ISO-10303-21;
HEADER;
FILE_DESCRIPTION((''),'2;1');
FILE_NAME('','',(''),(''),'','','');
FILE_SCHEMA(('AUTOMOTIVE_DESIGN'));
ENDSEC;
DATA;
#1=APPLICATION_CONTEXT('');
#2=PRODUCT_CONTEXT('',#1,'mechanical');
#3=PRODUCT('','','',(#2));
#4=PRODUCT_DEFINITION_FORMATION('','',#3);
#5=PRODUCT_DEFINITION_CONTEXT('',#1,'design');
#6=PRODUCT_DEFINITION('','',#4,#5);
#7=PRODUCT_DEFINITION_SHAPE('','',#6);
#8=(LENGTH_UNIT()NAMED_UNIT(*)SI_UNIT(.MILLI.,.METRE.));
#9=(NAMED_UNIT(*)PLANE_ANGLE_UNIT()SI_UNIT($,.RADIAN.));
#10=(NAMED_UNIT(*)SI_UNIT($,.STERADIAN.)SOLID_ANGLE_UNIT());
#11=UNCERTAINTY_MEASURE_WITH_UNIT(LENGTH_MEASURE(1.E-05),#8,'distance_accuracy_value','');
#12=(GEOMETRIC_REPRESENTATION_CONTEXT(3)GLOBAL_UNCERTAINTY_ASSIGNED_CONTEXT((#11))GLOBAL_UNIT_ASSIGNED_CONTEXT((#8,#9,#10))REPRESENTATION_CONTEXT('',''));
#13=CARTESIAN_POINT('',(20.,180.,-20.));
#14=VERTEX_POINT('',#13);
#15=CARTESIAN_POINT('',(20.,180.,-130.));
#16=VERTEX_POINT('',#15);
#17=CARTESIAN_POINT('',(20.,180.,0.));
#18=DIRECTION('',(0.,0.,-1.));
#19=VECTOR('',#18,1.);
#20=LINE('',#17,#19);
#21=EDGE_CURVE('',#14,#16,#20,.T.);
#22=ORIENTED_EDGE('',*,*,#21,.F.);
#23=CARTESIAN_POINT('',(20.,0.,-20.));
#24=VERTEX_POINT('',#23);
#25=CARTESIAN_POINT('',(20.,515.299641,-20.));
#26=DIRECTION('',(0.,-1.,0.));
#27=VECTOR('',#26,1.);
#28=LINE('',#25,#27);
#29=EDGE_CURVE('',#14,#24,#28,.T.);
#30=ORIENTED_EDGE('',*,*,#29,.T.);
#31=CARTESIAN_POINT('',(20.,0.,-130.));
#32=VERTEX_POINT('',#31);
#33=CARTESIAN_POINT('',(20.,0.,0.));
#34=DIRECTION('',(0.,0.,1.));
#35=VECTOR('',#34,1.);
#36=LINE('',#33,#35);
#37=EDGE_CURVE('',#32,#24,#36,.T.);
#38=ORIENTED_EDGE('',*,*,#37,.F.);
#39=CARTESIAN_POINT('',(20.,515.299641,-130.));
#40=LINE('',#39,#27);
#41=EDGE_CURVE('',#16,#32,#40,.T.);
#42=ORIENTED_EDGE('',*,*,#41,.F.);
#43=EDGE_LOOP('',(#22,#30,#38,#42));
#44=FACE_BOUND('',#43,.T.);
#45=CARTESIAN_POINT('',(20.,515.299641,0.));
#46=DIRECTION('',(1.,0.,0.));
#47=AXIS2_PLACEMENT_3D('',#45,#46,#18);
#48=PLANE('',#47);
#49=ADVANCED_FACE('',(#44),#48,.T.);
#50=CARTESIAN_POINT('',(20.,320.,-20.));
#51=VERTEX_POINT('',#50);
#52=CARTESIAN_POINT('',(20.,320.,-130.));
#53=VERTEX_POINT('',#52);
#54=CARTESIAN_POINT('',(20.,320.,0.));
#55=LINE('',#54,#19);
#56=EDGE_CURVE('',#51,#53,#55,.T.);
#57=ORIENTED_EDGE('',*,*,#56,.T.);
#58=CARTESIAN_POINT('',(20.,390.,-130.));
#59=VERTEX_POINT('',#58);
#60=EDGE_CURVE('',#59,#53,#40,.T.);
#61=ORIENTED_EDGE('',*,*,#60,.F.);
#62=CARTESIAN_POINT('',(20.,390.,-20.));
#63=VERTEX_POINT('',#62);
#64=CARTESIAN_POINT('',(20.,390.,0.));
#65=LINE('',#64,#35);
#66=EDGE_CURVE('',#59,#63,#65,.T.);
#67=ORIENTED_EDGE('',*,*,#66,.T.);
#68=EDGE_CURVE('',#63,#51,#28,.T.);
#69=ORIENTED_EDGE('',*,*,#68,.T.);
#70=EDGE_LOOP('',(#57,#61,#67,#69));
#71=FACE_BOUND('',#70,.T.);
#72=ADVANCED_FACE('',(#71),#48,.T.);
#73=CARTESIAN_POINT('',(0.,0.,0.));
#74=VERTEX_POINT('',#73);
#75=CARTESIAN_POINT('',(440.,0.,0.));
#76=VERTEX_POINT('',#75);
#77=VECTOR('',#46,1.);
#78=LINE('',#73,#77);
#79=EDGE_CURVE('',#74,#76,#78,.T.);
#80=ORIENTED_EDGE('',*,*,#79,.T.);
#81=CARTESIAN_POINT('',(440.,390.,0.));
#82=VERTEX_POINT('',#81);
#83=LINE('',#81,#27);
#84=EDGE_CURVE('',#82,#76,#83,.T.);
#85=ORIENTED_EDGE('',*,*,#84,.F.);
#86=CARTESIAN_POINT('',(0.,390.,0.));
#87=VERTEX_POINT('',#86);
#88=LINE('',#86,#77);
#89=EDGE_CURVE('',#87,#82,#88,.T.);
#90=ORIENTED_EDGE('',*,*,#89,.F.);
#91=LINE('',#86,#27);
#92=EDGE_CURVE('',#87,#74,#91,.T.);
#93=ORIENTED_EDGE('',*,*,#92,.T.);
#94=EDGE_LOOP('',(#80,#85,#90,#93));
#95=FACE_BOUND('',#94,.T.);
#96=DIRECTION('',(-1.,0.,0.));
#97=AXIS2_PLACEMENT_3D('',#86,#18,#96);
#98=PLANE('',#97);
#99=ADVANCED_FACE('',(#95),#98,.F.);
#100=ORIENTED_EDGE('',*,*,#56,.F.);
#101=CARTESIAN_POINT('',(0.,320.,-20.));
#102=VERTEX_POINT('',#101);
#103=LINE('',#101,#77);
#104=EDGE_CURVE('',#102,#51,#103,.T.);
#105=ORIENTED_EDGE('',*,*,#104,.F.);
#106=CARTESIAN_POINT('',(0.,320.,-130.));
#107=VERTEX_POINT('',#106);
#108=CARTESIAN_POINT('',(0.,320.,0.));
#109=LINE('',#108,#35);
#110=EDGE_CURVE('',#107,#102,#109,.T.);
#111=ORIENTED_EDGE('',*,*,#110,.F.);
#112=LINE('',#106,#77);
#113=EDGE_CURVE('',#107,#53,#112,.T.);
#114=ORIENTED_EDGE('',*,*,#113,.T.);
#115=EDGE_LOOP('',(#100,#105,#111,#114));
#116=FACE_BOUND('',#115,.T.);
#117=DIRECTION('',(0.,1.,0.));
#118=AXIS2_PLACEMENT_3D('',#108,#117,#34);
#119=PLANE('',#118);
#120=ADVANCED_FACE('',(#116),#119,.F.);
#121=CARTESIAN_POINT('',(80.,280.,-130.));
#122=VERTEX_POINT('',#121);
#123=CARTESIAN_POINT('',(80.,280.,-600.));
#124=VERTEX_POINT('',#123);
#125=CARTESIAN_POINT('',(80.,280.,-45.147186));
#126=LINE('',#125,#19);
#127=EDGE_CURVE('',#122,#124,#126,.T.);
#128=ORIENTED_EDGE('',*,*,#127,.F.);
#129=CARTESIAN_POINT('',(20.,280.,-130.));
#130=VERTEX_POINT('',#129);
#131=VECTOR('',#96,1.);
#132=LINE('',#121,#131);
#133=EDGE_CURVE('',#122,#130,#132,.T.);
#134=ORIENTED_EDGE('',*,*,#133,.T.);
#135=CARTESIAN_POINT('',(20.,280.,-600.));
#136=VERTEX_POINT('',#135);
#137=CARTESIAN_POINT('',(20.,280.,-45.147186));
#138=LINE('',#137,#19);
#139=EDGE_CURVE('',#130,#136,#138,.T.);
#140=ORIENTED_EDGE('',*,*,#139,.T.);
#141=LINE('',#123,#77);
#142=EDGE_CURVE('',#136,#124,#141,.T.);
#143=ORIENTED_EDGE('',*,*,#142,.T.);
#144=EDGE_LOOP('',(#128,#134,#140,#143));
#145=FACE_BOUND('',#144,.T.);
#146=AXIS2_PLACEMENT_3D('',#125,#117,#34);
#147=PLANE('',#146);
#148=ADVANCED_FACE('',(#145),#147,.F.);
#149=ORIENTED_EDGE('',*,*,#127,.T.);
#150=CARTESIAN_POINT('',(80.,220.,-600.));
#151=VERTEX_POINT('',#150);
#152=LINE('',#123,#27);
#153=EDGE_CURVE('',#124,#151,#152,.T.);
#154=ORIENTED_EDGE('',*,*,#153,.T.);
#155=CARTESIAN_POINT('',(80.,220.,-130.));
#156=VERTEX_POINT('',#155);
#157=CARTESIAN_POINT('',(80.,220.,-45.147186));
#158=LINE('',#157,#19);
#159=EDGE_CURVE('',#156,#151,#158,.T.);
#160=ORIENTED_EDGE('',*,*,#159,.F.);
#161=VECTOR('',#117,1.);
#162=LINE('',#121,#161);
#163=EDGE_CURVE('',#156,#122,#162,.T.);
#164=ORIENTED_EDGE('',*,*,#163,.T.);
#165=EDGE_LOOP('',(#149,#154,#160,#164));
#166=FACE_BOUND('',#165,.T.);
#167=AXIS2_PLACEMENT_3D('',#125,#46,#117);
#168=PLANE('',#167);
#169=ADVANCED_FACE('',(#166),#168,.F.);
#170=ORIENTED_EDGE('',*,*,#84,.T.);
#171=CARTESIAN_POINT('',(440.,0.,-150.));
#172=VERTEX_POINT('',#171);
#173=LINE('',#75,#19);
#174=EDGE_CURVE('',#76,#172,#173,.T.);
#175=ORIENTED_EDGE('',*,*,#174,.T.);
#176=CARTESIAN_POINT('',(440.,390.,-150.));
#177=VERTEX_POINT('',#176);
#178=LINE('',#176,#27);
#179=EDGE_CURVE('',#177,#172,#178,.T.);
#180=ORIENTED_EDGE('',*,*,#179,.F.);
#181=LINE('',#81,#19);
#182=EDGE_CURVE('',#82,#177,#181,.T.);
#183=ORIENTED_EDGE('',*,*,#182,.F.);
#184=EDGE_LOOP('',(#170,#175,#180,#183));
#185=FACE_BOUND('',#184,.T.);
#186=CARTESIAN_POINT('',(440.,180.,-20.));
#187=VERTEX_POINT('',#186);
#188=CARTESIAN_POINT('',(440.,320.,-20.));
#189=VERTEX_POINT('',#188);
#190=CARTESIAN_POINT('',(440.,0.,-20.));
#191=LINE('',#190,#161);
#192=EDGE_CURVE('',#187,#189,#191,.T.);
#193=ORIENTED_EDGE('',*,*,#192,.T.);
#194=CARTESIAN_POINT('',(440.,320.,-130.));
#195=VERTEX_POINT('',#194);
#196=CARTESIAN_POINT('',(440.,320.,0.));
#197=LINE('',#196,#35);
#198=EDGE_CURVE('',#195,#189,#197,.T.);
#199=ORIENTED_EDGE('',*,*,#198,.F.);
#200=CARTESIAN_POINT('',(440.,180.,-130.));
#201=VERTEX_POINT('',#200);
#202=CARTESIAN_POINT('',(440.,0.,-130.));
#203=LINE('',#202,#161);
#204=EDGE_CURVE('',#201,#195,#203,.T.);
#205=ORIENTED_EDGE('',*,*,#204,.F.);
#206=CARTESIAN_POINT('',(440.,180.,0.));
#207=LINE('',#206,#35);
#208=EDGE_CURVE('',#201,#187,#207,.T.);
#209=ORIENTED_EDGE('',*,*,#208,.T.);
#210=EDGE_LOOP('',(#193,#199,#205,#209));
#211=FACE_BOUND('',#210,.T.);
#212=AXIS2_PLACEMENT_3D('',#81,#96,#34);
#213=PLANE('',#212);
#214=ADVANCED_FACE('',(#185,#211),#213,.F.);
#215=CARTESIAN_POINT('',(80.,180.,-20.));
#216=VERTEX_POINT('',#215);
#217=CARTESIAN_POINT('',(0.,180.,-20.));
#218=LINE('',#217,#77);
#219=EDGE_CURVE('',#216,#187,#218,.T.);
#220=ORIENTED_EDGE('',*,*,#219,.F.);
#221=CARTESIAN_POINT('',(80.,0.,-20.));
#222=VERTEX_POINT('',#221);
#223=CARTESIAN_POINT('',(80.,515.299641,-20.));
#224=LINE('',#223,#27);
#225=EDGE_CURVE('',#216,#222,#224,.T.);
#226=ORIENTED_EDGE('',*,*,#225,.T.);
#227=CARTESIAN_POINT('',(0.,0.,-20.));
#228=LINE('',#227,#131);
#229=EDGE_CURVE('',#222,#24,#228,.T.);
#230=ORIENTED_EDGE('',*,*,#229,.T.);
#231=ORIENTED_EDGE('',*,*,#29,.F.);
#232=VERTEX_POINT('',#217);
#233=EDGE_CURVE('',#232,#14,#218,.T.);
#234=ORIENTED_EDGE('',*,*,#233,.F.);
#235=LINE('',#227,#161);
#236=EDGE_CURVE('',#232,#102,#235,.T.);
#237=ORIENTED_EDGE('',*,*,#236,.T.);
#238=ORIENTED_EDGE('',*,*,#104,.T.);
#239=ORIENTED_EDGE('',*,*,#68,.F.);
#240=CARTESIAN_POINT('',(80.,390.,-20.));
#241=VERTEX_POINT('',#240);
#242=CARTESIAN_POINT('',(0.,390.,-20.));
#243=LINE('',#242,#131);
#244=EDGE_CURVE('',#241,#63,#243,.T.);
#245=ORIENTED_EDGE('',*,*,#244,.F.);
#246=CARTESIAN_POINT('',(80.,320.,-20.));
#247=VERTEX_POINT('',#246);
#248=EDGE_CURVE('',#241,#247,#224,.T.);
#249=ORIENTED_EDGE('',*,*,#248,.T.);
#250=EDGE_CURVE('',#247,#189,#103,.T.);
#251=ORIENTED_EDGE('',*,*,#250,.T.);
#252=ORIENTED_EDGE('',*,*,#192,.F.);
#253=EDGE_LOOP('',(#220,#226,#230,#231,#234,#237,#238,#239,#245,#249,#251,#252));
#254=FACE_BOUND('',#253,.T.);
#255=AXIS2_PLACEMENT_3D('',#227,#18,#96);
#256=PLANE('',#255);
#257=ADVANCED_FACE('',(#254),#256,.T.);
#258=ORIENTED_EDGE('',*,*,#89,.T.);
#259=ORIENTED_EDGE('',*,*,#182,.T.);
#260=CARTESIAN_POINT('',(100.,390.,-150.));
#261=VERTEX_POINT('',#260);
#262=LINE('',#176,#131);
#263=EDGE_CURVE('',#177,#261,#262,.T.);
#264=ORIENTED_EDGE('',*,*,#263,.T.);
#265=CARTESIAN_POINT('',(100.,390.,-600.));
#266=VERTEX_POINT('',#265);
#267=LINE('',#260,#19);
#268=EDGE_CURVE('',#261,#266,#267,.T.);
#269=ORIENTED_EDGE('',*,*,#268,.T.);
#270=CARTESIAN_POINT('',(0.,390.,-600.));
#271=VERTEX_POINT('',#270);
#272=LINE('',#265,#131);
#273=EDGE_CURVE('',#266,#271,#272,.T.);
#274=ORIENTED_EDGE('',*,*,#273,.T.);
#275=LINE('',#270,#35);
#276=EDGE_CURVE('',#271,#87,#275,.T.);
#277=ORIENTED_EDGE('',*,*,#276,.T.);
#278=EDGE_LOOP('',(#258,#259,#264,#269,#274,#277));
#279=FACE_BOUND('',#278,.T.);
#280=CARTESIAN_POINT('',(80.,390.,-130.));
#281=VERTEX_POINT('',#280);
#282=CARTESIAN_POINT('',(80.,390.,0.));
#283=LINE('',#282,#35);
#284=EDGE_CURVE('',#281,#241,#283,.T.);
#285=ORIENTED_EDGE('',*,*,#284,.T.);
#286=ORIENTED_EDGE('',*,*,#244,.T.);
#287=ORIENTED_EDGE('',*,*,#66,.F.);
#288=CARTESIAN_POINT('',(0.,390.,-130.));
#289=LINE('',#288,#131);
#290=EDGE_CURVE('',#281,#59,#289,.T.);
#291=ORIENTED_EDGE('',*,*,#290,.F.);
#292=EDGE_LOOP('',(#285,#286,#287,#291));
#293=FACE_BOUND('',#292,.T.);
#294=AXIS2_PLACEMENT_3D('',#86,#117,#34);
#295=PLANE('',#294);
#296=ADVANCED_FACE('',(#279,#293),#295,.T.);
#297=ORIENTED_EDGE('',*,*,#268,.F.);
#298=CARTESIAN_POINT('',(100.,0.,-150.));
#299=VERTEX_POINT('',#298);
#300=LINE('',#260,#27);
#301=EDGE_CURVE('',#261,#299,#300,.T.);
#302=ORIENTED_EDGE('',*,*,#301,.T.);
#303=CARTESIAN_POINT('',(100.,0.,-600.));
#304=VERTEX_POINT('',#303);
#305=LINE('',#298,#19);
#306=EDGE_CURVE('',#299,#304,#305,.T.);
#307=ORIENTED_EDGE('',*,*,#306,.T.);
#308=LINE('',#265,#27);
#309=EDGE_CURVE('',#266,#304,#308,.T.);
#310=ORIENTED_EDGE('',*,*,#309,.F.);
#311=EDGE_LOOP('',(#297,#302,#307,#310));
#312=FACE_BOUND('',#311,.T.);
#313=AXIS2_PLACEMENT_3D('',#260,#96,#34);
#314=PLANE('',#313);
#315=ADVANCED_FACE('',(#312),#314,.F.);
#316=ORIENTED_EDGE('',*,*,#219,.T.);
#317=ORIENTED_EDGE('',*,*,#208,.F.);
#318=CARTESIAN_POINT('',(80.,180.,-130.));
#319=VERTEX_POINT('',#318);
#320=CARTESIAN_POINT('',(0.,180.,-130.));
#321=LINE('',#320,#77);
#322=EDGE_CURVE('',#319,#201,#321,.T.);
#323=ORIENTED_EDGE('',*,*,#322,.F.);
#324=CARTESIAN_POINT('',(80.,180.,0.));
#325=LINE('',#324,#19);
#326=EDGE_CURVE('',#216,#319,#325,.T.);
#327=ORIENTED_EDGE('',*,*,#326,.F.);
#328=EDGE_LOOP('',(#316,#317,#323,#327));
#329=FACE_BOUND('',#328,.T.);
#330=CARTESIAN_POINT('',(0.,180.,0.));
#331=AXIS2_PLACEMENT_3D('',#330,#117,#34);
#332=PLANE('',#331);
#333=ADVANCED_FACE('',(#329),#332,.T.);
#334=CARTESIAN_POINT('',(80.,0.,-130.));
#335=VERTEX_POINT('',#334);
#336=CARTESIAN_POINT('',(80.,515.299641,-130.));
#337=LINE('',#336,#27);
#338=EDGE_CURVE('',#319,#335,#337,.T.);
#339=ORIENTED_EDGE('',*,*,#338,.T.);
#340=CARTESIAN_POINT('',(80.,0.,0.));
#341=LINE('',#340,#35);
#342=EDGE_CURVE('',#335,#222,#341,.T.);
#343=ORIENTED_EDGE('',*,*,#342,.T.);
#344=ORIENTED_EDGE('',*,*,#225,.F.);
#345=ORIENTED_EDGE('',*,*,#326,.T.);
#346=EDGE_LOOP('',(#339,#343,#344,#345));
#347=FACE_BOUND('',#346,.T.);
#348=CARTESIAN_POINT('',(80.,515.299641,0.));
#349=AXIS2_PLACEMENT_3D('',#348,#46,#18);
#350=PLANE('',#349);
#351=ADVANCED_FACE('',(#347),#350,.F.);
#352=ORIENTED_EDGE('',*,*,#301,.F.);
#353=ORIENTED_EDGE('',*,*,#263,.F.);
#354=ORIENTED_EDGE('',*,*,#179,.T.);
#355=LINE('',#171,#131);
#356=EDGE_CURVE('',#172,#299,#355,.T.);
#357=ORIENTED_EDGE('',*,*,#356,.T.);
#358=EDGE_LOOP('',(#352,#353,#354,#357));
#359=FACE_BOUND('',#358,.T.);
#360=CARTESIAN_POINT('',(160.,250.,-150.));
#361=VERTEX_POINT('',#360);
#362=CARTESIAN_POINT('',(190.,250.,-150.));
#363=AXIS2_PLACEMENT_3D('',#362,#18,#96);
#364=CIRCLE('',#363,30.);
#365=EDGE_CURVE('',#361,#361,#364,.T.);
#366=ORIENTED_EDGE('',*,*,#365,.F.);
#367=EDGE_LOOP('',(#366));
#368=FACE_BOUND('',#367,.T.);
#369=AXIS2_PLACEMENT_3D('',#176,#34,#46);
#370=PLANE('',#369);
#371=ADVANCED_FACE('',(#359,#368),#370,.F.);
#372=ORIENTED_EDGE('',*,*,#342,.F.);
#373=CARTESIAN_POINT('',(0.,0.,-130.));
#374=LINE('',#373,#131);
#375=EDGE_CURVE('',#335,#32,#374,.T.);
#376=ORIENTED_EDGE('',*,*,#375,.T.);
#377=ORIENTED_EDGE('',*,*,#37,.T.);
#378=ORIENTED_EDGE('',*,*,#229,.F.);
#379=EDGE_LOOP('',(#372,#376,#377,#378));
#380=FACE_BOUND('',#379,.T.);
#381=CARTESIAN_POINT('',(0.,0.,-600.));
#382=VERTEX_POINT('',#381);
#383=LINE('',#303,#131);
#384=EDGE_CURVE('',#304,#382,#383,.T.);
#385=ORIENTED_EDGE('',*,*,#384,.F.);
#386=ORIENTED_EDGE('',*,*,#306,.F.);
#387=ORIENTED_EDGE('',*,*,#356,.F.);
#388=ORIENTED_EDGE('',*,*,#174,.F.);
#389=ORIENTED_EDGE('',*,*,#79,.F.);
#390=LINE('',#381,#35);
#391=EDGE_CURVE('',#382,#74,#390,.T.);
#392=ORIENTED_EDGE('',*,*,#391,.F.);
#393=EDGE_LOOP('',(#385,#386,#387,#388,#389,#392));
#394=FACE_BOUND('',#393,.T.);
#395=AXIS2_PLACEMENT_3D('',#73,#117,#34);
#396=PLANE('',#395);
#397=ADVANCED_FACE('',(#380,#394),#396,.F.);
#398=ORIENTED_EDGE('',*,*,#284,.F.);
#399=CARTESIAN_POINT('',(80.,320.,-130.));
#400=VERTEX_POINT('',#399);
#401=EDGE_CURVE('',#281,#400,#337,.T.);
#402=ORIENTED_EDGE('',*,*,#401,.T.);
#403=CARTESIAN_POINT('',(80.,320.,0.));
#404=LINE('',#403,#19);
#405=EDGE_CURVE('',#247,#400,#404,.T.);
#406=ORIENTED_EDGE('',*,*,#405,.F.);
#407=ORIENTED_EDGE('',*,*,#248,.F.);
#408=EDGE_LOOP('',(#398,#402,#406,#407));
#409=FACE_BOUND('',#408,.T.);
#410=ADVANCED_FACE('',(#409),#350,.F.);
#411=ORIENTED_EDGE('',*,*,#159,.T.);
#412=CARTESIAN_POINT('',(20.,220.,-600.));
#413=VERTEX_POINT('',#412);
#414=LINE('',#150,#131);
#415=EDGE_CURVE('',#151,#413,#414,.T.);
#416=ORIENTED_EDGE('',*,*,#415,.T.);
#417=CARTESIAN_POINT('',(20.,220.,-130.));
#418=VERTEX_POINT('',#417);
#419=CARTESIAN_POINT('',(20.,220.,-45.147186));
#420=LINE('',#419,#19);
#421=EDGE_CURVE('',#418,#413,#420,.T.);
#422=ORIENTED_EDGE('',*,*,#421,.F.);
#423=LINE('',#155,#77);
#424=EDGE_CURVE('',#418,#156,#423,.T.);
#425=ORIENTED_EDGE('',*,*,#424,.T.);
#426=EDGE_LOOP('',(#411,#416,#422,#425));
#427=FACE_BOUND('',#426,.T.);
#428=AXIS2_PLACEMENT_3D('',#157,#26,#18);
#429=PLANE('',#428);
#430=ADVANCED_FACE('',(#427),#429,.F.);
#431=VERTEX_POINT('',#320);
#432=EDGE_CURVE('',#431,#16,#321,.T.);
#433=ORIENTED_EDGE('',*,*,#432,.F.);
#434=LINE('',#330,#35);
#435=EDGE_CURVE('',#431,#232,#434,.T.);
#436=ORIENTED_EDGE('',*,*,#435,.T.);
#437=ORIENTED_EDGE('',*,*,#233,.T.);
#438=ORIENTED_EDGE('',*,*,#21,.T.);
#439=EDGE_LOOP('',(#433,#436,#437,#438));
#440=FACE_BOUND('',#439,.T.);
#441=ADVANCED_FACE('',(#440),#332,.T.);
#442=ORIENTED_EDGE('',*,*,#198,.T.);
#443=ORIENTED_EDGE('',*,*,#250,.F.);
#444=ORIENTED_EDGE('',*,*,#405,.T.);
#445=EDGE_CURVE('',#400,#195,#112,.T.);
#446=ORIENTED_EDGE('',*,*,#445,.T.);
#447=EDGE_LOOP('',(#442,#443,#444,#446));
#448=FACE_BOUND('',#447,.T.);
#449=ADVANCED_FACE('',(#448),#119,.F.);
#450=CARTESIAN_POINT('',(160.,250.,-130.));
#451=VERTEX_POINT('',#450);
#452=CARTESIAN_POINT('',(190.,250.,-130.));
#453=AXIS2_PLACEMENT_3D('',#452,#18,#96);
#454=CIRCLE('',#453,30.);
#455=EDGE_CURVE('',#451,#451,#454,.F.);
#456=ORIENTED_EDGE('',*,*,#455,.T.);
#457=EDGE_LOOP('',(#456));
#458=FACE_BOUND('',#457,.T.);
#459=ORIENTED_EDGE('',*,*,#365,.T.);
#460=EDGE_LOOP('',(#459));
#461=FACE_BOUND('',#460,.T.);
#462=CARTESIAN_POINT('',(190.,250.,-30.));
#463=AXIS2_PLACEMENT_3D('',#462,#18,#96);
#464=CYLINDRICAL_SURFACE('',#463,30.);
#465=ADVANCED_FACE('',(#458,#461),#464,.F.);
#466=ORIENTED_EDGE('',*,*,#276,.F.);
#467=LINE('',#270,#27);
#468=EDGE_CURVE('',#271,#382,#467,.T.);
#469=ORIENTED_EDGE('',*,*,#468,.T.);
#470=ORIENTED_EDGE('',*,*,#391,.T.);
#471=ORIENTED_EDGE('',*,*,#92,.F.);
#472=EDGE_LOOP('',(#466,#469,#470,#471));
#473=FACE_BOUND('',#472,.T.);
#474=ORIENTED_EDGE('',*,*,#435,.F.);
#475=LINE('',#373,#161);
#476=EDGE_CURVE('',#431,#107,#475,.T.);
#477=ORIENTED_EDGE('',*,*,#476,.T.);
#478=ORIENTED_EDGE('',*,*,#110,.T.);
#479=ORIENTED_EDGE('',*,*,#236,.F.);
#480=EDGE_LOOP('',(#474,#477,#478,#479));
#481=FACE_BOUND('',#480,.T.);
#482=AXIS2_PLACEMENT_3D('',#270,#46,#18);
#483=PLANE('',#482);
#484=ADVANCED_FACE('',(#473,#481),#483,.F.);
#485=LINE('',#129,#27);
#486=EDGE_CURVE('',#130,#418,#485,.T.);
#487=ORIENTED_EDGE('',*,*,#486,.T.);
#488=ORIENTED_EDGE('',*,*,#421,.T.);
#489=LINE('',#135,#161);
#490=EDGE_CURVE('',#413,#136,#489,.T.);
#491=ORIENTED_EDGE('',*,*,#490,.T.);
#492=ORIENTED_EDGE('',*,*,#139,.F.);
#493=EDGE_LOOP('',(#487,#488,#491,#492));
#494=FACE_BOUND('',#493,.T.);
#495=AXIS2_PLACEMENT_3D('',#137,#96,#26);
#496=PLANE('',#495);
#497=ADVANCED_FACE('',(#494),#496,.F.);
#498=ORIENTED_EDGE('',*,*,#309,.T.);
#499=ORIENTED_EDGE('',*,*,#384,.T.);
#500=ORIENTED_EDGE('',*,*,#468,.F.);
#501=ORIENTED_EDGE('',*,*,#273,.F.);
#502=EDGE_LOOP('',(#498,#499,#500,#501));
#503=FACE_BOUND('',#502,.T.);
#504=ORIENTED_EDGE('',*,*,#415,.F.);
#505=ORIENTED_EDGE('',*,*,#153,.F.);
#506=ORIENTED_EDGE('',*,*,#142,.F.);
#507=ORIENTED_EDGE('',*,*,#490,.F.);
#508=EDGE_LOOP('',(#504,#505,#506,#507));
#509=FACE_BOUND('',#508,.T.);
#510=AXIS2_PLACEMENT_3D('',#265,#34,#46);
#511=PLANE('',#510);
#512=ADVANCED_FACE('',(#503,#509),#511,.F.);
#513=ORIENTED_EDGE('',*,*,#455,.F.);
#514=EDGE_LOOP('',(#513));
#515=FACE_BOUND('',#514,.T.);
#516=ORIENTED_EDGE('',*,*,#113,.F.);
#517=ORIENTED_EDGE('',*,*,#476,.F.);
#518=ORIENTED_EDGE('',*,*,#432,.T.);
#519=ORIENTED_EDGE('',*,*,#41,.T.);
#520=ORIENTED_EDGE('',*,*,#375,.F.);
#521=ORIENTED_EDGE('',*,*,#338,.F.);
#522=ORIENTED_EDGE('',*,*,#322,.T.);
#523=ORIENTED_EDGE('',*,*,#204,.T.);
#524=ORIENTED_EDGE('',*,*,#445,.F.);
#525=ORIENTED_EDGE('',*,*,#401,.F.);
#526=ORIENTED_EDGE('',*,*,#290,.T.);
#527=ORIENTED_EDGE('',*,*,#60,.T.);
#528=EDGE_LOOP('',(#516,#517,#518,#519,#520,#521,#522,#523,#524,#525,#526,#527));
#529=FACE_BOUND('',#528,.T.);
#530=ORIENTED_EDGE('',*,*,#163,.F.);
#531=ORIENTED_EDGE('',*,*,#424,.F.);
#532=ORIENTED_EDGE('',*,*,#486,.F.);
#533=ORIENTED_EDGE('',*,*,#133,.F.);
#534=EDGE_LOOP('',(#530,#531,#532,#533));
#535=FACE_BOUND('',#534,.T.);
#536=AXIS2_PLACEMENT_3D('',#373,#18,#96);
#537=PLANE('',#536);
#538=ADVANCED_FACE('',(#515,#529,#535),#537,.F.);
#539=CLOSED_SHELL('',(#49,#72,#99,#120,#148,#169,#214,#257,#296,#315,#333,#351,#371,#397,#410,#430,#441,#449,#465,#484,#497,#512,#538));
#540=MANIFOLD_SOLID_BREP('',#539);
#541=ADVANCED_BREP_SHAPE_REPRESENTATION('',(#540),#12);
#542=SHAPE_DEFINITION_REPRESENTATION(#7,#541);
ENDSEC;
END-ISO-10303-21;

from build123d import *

# Parameters (mm, degrees)
BOSS_EXTRUDE5_DEPTH = 390
SKETCH7_R           = 30
CUT_EXTRUDE4_DEPTH  = 120
SKETCH10_W          = 110
SKETCH10_H          = 140
CUT_EXTRUDE6_DEPTH  = 841.059521701
CUT_EXTRUDE9_START  = -390
SKETCH13_W          = 30
SKETCH13_H          = 110
CUT_EXTRUDE9_DEPTH  = 390
SKETCH15_W          = 60
SKETCH15_H          = 60
CUT_EXTRUDE10_DEPTH = 470


with BuildPart() as part:
    # Sketch1 → Boss-Extrude5 (new body)
    with BuildSketch(Plane(origin=(0, 0, 0), x_dir=(1, 0, 0), z_dir=(0, 1, 0))):
        Polygon((0, 0), (440, 0), (440, 150), (100, 150), (100, 600), (0, 600), align=None)
    extrude(amount=BOSS_EXTRUDE5_DEPTH)

    # Sketch7 → Cut-Extrude4 (cut)
    with BuildSketch(Plane(origin=(0, 0, -150), x_dir=(-1, 0, 0), z_dir=(0, 0, -1))):
        with Locations((-190, 250)):
            Circle(SKETCH7_R)
    extrude(amount=-CUT_EXTRUDE4_DEPTH, mode=Mode.SUBTRACT)

    # Sketch10 → Cut-Extrude6 (cut, through all)
    with BuildSketch(Plane(origin=(440, 0, 0), x_dir=(0, 0, -1), z_dir=(1, 0, 0))):
        with Locations((75, 250)):
            Rectangle(SKETCH10_W, SKETCH10_H)
    extrude(amount=-CUT_EXTRUDE6_DEPTH, mode=Mode.SUBTRACT)

    # Sketch13 → Cut-Extrude9 (cut)
    with BuildSketch(Plane.XZ.offset(CUT_EXTRUDE9_START)):
        with Locations((65, -75)):
            Rectangle(SKETCH13_W, SKETCH13_H)
        with Locations((35, -75)):
            Rectangle(SKETCH13_W, SKETCH13_H)
    extrude(amount=CUT_EXTRUDE9_DEPTH, mode=Mode.SUBTRACT)

    # Sketch15 → Cut-Extrude10 (cut)
    with BuildSketch(Plane(origin=(0, 0, -600), x_dir=(-1, 0, 0), z_dir=(0, 0, -1))):
        with Locations((-50, 250)):
            Rectangle(SKETCH15_W, SKETCH15_H)
    extrude(amount=-CUT_EXTRUDE10_DEPTH, mode=Mode.SUBTRACT)


solid = part.part
